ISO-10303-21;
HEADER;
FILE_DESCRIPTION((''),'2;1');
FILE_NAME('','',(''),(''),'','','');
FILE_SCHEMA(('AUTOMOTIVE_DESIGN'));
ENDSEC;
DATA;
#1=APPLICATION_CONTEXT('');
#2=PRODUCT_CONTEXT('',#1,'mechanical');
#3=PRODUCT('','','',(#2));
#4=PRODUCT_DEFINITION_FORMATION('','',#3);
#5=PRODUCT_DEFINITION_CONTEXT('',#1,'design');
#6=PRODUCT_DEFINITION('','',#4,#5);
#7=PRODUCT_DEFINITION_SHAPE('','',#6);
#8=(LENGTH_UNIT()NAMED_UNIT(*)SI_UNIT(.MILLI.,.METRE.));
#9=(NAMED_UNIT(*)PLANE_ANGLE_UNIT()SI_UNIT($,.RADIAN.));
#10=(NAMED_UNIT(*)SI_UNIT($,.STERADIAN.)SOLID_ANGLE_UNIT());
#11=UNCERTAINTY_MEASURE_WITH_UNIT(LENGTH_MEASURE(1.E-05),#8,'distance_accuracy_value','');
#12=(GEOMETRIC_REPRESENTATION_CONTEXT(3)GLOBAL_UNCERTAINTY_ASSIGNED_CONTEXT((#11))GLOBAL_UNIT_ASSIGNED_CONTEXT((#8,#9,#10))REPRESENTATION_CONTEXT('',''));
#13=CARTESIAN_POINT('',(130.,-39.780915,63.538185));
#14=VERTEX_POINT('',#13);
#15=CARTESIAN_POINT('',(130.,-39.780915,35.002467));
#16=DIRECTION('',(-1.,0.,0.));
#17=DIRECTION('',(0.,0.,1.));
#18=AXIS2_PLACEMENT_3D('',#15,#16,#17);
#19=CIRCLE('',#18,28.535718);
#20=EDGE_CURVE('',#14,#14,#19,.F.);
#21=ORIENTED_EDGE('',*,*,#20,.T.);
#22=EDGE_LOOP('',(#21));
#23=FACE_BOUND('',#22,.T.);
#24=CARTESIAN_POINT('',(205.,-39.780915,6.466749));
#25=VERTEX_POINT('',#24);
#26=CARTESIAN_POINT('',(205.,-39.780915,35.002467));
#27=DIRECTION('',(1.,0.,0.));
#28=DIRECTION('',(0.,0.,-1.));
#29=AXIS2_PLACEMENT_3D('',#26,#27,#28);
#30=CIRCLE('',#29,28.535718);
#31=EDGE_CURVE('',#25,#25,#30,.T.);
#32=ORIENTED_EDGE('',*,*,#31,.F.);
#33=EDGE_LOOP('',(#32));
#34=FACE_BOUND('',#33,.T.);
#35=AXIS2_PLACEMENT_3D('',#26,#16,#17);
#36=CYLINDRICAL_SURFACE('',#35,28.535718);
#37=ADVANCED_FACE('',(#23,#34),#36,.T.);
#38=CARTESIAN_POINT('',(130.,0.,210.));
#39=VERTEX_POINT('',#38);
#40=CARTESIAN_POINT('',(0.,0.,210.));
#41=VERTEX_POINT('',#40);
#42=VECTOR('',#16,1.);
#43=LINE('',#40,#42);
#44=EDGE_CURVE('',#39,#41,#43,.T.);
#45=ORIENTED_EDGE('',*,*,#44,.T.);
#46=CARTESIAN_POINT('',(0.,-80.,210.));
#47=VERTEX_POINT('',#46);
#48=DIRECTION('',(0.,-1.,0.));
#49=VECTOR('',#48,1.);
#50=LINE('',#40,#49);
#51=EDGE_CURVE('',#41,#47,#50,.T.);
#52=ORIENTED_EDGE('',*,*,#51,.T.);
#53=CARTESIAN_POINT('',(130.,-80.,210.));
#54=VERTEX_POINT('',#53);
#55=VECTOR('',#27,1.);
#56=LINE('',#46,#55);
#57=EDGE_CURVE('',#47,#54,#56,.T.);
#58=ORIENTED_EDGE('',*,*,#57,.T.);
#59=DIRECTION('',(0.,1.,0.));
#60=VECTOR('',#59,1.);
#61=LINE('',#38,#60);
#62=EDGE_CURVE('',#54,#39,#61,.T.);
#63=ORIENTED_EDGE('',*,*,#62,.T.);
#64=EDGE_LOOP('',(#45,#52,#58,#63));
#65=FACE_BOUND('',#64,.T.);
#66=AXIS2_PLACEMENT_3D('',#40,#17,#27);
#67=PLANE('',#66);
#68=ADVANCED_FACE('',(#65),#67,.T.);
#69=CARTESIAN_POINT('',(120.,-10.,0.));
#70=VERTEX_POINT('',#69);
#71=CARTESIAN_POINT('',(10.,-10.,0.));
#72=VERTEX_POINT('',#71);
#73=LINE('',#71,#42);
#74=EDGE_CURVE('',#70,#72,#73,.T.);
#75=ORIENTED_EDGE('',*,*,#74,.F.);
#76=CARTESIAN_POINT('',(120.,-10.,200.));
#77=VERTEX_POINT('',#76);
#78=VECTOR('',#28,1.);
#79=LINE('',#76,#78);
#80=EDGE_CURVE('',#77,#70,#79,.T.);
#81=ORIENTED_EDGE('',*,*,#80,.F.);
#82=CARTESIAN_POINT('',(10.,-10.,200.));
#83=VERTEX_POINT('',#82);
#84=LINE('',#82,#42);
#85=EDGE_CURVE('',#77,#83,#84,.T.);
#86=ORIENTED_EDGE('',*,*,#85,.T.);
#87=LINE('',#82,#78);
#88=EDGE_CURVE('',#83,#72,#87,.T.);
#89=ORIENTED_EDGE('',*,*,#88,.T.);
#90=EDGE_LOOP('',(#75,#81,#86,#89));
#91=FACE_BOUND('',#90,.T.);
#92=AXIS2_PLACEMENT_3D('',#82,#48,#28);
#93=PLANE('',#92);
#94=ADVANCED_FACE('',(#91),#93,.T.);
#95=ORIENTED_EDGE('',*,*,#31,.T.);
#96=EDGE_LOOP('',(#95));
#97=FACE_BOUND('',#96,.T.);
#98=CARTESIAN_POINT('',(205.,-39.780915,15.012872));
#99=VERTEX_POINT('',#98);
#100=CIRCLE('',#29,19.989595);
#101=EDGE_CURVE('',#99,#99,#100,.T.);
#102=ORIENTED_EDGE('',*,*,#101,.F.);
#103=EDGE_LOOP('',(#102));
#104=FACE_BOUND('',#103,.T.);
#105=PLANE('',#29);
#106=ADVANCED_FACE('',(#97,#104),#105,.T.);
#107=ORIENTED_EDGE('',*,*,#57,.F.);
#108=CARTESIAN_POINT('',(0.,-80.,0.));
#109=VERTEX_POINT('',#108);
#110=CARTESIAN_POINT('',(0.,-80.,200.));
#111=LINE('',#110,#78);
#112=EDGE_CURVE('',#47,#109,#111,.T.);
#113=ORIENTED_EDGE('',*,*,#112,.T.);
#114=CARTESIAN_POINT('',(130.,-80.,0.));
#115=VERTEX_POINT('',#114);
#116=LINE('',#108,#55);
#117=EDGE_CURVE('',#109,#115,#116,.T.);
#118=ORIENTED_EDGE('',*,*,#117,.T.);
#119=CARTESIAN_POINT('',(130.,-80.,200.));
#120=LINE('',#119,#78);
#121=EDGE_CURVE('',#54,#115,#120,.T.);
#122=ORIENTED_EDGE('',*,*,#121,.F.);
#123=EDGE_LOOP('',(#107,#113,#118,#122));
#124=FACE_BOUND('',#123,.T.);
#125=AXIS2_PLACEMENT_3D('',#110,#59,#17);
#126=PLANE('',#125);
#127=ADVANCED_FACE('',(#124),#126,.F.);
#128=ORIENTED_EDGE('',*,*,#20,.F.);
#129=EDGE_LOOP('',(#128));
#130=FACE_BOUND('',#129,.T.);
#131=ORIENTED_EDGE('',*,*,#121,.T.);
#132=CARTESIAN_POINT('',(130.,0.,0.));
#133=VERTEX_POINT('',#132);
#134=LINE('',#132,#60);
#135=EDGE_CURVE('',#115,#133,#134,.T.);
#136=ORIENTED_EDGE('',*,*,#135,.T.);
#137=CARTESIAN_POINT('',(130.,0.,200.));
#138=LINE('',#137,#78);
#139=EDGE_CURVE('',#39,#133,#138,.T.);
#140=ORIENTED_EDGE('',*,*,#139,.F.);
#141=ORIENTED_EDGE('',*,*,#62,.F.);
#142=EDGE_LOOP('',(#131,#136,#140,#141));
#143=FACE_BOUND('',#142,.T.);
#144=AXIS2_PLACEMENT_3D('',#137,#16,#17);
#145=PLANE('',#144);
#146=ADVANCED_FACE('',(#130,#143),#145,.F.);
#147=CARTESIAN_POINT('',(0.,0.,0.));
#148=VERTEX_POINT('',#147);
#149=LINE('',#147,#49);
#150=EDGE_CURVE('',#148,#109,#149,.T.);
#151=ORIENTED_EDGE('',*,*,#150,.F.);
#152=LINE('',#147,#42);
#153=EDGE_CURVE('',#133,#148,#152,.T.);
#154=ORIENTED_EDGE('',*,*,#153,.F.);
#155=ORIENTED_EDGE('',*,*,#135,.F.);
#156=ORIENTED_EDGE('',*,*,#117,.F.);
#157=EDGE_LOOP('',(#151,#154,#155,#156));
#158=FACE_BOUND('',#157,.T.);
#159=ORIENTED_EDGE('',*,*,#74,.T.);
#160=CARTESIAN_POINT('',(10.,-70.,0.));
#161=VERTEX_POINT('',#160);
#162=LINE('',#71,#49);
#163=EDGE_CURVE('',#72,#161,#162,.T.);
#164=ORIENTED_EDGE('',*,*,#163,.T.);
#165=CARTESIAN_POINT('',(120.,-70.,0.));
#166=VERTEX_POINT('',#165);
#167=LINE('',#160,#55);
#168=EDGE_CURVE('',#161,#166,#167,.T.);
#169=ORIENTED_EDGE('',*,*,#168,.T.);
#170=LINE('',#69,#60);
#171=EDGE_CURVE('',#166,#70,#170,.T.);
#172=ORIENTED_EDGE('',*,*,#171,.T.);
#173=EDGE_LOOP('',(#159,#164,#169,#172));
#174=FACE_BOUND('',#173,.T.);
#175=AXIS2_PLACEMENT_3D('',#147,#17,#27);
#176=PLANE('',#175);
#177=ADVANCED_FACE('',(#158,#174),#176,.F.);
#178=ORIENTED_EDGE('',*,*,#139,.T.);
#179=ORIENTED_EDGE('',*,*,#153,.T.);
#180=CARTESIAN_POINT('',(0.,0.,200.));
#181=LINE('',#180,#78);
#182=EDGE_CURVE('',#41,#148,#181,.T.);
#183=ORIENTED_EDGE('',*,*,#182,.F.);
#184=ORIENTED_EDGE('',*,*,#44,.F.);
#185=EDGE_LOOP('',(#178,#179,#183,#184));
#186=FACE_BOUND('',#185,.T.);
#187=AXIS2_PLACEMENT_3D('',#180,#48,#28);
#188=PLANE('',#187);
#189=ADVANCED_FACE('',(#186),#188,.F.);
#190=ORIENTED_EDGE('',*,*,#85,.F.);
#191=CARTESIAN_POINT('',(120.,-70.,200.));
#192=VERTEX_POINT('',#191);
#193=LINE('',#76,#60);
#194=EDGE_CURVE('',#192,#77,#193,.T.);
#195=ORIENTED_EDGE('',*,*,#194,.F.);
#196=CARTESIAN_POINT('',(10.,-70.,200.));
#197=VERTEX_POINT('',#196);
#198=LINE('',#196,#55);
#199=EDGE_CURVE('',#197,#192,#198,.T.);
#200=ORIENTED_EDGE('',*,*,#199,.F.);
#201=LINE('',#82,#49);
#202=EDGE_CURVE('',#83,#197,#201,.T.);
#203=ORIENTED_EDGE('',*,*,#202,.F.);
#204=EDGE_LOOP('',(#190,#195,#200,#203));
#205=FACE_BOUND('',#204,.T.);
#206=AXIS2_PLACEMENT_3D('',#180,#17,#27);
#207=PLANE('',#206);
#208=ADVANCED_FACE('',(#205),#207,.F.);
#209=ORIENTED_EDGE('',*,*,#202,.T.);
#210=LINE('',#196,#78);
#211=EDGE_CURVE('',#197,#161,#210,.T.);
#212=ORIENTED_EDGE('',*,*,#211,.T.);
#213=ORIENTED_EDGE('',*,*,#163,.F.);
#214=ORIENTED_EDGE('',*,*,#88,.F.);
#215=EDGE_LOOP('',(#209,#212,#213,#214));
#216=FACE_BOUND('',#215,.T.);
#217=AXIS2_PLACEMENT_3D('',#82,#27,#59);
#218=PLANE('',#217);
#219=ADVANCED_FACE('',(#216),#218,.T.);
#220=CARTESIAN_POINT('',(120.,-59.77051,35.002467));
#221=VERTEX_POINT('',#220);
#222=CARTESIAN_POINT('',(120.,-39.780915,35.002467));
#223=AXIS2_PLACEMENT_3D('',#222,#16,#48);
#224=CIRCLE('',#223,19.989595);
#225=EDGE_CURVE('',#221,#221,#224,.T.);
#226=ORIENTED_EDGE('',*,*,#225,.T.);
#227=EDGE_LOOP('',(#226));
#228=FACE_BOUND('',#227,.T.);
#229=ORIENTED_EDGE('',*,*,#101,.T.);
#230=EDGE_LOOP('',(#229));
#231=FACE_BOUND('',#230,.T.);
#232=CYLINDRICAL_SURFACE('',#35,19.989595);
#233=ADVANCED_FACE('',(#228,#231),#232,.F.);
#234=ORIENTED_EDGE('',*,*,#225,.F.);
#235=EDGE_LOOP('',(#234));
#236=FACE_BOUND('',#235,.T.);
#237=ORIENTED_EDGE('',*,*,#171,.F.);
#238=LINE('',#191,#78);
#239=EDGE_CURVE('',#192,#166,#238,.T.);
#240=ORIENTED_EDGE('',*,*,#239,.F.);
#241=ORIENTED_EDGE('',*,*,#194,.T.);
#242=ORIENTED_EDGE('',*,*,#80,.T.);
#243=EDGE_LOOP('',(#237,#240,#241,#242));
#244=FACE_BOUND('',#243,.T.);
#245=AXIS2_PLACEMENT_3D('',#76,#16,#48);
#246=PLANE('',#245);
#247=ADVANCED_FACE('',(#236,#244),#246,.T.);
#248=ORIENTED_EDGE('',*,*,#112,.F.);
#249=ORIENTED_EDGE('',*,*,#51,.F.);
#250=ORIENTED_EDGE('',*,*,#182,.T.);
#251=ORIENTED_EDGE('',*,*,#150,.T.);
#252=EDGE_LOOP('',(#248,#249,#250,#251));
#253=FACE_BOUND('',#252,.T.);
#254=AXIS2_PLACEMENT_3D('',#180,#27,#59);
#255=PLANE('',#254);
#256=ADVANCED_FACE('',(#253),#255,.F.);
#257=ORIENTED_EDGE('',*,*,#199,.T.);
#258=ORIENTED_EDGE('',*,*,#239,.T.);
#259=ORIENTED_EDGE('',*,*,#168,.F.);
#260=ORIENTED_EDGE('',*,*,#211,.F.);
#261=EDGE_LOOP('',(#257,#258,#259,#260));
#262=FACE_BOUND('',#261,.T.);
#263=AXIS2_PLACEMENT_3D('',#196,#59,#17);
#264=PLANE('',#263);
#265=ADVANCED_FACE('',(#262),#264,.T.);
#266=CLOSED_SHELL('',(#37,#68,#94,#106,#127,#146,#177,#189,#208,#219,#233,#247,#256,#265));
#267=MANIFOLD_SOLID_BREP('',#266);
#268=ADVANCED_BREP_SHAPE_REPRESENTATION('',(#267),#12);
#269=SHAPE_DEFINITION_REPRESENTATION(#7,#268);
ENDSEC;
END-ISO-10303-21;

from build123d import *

# Parameters (mm, degrees)
SKETCH1_W           = 130
SKETCH1_H           = 80
SKETCH1_W_2         = 110
SKETCH1_H_2         = 60
BOSS_EXTRUDE2_DEPTH = 200
SKETCH4_W           = 130
SKETCH4_H           = 80
BOSS_EXTRUDE3_DEPTH = 10
SKETCH6_R           = 28.535717896
SKETCH6_R_2         = 19.989594855
BOSS_EXTRUDE5_DEPTH = 75
CUT_EXTRUDE1_START  = -75
SKETCH6_3_R         = 19.989594855
CUT_EXTRUDE1_DEPTH  = 75


with BuildPart() as part:
    # Sketch1 → Boss-Extrude2 (new body)
    with BuildSketch(Plane.XY):
        with Locations((65, -40)):
            Rectangle(SKETCH1_W, SKETCH1_H)
        with Locations((65, -40)):
            Rectangle(SKETCH1_W_2, SKETCH1_H_2, mode=Mode.SUBTRACT)
    extrude(amount=BOSS_EXTRUDE2_DEPTH)

    # Sketch4 → Boss-Extrude3 (add)
    with BuildSketch(Plane.XY.offset(200)):
        with Locations((65, -40)):
            Rectangle(SKETCH4_W, SKETCH4_H)
    extrude(amount=BOSS_EXTRUDE3_DEPTH)

    # Sketch6 → Boss-Extrude5 (add)
    with BuildSketch(Plane(origin=(130, 0, 0), x_dir=(0, 0, -1), z_dir=(1, 0, 0))):
        with Locations((-35.002467087, -39.78091539)):
            Circle(SKETCH6_R)
        with Locations((-35.002467087, -39.78091539)):
            Circle(SKETCH6_R_2, mode=Mode.SUBTRACT)
    extrude(amount=BOSS_EXTRUDE5_DEPTH)

    # Sketch6<3> → Cut-Extrude1 (cut)
    with BuildSketch(Plane(origin=(130, 0, 0), x_dir=(0, 0, -1), z_dir=(1, 0, 0)).offset(CUT_EXTRUDE1_START)):
        with Locations((-35.002467087, -39.78091539)):
            Circle(SKETCH6_3_R)
    extrude(amount=CUT_EXTRUDE1_DEPTH, mode=Mode.SUBTRACT)


solid = part.part
